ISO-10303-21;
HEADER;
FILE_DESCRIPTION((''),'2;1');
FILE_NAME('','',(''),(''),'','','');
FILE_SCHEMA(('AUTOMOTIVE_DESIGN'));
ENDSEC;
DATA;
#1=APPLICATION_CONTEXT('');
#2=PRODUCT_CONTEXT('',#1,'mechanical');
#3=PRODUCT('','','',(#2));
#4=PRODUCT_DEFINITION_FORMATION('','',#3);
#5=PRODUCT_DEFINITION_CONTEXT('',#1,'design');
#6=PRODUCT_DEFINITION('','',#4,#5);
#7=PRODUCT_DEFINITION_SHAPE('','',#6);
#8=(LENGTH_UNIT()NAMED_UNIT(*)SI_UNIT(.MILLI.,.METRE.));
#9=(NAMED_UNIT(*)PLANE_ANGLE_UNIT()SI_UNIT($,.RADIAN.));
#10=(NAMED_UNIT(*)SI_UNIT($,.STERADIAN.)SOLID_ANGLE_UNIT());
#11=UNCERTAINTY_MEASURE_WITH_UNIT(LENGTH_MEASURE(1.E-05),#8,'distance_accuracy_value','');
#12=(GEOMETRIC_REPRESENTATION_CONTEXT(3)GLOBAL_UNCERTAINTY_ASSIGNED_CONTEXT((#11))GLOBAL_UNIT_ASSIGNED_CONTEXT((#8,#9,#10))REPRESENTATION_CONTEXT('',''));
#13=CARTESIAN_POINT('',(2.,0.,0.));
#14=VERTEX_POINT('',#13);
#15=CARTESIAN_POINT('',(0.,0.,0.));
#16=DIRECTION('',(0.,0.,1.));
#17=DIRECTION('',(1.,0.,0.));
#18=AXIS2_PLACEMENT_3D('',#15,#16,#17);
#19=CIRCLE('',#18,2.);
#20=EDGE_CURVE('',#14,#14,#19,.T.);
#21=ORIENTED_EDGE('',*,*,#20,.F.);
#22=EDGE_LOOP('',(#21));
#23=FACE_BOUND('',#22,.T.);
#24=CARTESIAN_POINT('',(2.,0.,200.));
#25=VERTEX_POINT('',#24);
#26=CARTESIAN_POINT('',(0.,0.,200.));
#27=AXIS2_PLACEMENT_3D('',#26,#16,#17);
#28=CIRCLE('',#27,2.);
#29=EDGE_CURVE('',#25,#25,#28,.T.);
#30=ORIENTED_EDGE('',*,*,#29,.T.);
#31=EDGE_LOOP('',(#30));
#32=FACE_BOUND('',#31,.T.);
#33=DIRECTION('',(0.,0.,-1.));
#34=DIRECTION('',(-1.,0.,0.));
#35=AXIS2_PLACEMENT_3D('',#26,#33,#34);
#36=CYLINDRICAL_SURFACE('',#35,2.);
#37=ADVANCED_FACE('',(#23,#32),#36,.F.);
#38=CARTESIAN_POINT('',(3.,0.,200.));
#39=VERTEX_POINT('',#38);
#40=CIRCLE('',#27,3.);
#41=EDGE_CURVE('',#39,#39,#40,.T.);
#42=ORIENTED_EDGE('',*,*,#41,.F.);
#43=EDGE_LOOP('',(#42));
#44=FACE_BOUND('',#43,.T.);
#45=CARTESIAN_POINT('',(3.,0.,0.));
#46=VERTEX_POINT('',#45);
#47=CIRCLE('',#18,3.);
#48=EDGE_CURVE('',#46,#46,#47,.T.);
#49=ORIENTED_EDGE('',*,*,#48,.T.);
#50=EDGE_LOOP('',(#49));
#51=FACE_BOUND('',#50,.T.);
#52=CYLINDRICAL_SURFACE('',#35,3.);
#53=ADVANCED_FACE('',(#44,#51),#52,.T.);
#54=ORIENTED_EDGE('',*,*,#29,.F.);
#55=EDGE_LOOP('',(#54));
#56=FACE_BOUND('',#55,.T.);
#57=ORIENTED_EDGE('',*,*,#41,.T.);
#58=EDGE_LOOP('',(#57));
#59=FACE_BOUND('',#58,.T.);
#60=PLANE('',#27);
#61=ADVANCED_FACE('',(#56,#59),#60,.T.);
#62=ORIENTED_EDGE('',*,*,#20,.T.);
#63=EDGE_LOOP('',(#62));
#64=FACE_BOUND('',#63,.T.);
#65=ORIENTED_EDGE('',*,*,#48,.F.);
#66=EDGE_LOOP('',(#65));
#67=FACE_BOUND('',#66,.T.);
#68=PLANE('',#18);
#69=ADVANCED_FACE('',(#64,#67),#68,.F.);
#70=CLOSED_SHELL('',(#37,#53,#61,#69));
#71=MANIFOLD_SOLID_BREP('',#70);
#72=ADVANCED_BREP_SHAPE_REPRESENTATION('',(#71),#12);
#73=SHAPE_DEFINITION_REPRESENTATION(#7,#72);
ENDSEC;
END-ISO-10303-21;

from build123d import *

# Parameters (mm, degrees)
ESQUISSE1_R        = 3
ESQUISSE1_R_2      = 2
BOSS_EXTRU_1_DEPTH = 200


with BuildPart() as part:
    # Esquisse1 → Boss.-Extru.1 (new body)
    with BuildSketch(Plane.XY):
        Circle(ESQUISSE1_R)
        Circle(ESQUISSE1_R_2, mode=Mode.SUBTRACT)
    extrude(amount=BOSS_EXTRU_1_DEPTH)


solid = part.part
